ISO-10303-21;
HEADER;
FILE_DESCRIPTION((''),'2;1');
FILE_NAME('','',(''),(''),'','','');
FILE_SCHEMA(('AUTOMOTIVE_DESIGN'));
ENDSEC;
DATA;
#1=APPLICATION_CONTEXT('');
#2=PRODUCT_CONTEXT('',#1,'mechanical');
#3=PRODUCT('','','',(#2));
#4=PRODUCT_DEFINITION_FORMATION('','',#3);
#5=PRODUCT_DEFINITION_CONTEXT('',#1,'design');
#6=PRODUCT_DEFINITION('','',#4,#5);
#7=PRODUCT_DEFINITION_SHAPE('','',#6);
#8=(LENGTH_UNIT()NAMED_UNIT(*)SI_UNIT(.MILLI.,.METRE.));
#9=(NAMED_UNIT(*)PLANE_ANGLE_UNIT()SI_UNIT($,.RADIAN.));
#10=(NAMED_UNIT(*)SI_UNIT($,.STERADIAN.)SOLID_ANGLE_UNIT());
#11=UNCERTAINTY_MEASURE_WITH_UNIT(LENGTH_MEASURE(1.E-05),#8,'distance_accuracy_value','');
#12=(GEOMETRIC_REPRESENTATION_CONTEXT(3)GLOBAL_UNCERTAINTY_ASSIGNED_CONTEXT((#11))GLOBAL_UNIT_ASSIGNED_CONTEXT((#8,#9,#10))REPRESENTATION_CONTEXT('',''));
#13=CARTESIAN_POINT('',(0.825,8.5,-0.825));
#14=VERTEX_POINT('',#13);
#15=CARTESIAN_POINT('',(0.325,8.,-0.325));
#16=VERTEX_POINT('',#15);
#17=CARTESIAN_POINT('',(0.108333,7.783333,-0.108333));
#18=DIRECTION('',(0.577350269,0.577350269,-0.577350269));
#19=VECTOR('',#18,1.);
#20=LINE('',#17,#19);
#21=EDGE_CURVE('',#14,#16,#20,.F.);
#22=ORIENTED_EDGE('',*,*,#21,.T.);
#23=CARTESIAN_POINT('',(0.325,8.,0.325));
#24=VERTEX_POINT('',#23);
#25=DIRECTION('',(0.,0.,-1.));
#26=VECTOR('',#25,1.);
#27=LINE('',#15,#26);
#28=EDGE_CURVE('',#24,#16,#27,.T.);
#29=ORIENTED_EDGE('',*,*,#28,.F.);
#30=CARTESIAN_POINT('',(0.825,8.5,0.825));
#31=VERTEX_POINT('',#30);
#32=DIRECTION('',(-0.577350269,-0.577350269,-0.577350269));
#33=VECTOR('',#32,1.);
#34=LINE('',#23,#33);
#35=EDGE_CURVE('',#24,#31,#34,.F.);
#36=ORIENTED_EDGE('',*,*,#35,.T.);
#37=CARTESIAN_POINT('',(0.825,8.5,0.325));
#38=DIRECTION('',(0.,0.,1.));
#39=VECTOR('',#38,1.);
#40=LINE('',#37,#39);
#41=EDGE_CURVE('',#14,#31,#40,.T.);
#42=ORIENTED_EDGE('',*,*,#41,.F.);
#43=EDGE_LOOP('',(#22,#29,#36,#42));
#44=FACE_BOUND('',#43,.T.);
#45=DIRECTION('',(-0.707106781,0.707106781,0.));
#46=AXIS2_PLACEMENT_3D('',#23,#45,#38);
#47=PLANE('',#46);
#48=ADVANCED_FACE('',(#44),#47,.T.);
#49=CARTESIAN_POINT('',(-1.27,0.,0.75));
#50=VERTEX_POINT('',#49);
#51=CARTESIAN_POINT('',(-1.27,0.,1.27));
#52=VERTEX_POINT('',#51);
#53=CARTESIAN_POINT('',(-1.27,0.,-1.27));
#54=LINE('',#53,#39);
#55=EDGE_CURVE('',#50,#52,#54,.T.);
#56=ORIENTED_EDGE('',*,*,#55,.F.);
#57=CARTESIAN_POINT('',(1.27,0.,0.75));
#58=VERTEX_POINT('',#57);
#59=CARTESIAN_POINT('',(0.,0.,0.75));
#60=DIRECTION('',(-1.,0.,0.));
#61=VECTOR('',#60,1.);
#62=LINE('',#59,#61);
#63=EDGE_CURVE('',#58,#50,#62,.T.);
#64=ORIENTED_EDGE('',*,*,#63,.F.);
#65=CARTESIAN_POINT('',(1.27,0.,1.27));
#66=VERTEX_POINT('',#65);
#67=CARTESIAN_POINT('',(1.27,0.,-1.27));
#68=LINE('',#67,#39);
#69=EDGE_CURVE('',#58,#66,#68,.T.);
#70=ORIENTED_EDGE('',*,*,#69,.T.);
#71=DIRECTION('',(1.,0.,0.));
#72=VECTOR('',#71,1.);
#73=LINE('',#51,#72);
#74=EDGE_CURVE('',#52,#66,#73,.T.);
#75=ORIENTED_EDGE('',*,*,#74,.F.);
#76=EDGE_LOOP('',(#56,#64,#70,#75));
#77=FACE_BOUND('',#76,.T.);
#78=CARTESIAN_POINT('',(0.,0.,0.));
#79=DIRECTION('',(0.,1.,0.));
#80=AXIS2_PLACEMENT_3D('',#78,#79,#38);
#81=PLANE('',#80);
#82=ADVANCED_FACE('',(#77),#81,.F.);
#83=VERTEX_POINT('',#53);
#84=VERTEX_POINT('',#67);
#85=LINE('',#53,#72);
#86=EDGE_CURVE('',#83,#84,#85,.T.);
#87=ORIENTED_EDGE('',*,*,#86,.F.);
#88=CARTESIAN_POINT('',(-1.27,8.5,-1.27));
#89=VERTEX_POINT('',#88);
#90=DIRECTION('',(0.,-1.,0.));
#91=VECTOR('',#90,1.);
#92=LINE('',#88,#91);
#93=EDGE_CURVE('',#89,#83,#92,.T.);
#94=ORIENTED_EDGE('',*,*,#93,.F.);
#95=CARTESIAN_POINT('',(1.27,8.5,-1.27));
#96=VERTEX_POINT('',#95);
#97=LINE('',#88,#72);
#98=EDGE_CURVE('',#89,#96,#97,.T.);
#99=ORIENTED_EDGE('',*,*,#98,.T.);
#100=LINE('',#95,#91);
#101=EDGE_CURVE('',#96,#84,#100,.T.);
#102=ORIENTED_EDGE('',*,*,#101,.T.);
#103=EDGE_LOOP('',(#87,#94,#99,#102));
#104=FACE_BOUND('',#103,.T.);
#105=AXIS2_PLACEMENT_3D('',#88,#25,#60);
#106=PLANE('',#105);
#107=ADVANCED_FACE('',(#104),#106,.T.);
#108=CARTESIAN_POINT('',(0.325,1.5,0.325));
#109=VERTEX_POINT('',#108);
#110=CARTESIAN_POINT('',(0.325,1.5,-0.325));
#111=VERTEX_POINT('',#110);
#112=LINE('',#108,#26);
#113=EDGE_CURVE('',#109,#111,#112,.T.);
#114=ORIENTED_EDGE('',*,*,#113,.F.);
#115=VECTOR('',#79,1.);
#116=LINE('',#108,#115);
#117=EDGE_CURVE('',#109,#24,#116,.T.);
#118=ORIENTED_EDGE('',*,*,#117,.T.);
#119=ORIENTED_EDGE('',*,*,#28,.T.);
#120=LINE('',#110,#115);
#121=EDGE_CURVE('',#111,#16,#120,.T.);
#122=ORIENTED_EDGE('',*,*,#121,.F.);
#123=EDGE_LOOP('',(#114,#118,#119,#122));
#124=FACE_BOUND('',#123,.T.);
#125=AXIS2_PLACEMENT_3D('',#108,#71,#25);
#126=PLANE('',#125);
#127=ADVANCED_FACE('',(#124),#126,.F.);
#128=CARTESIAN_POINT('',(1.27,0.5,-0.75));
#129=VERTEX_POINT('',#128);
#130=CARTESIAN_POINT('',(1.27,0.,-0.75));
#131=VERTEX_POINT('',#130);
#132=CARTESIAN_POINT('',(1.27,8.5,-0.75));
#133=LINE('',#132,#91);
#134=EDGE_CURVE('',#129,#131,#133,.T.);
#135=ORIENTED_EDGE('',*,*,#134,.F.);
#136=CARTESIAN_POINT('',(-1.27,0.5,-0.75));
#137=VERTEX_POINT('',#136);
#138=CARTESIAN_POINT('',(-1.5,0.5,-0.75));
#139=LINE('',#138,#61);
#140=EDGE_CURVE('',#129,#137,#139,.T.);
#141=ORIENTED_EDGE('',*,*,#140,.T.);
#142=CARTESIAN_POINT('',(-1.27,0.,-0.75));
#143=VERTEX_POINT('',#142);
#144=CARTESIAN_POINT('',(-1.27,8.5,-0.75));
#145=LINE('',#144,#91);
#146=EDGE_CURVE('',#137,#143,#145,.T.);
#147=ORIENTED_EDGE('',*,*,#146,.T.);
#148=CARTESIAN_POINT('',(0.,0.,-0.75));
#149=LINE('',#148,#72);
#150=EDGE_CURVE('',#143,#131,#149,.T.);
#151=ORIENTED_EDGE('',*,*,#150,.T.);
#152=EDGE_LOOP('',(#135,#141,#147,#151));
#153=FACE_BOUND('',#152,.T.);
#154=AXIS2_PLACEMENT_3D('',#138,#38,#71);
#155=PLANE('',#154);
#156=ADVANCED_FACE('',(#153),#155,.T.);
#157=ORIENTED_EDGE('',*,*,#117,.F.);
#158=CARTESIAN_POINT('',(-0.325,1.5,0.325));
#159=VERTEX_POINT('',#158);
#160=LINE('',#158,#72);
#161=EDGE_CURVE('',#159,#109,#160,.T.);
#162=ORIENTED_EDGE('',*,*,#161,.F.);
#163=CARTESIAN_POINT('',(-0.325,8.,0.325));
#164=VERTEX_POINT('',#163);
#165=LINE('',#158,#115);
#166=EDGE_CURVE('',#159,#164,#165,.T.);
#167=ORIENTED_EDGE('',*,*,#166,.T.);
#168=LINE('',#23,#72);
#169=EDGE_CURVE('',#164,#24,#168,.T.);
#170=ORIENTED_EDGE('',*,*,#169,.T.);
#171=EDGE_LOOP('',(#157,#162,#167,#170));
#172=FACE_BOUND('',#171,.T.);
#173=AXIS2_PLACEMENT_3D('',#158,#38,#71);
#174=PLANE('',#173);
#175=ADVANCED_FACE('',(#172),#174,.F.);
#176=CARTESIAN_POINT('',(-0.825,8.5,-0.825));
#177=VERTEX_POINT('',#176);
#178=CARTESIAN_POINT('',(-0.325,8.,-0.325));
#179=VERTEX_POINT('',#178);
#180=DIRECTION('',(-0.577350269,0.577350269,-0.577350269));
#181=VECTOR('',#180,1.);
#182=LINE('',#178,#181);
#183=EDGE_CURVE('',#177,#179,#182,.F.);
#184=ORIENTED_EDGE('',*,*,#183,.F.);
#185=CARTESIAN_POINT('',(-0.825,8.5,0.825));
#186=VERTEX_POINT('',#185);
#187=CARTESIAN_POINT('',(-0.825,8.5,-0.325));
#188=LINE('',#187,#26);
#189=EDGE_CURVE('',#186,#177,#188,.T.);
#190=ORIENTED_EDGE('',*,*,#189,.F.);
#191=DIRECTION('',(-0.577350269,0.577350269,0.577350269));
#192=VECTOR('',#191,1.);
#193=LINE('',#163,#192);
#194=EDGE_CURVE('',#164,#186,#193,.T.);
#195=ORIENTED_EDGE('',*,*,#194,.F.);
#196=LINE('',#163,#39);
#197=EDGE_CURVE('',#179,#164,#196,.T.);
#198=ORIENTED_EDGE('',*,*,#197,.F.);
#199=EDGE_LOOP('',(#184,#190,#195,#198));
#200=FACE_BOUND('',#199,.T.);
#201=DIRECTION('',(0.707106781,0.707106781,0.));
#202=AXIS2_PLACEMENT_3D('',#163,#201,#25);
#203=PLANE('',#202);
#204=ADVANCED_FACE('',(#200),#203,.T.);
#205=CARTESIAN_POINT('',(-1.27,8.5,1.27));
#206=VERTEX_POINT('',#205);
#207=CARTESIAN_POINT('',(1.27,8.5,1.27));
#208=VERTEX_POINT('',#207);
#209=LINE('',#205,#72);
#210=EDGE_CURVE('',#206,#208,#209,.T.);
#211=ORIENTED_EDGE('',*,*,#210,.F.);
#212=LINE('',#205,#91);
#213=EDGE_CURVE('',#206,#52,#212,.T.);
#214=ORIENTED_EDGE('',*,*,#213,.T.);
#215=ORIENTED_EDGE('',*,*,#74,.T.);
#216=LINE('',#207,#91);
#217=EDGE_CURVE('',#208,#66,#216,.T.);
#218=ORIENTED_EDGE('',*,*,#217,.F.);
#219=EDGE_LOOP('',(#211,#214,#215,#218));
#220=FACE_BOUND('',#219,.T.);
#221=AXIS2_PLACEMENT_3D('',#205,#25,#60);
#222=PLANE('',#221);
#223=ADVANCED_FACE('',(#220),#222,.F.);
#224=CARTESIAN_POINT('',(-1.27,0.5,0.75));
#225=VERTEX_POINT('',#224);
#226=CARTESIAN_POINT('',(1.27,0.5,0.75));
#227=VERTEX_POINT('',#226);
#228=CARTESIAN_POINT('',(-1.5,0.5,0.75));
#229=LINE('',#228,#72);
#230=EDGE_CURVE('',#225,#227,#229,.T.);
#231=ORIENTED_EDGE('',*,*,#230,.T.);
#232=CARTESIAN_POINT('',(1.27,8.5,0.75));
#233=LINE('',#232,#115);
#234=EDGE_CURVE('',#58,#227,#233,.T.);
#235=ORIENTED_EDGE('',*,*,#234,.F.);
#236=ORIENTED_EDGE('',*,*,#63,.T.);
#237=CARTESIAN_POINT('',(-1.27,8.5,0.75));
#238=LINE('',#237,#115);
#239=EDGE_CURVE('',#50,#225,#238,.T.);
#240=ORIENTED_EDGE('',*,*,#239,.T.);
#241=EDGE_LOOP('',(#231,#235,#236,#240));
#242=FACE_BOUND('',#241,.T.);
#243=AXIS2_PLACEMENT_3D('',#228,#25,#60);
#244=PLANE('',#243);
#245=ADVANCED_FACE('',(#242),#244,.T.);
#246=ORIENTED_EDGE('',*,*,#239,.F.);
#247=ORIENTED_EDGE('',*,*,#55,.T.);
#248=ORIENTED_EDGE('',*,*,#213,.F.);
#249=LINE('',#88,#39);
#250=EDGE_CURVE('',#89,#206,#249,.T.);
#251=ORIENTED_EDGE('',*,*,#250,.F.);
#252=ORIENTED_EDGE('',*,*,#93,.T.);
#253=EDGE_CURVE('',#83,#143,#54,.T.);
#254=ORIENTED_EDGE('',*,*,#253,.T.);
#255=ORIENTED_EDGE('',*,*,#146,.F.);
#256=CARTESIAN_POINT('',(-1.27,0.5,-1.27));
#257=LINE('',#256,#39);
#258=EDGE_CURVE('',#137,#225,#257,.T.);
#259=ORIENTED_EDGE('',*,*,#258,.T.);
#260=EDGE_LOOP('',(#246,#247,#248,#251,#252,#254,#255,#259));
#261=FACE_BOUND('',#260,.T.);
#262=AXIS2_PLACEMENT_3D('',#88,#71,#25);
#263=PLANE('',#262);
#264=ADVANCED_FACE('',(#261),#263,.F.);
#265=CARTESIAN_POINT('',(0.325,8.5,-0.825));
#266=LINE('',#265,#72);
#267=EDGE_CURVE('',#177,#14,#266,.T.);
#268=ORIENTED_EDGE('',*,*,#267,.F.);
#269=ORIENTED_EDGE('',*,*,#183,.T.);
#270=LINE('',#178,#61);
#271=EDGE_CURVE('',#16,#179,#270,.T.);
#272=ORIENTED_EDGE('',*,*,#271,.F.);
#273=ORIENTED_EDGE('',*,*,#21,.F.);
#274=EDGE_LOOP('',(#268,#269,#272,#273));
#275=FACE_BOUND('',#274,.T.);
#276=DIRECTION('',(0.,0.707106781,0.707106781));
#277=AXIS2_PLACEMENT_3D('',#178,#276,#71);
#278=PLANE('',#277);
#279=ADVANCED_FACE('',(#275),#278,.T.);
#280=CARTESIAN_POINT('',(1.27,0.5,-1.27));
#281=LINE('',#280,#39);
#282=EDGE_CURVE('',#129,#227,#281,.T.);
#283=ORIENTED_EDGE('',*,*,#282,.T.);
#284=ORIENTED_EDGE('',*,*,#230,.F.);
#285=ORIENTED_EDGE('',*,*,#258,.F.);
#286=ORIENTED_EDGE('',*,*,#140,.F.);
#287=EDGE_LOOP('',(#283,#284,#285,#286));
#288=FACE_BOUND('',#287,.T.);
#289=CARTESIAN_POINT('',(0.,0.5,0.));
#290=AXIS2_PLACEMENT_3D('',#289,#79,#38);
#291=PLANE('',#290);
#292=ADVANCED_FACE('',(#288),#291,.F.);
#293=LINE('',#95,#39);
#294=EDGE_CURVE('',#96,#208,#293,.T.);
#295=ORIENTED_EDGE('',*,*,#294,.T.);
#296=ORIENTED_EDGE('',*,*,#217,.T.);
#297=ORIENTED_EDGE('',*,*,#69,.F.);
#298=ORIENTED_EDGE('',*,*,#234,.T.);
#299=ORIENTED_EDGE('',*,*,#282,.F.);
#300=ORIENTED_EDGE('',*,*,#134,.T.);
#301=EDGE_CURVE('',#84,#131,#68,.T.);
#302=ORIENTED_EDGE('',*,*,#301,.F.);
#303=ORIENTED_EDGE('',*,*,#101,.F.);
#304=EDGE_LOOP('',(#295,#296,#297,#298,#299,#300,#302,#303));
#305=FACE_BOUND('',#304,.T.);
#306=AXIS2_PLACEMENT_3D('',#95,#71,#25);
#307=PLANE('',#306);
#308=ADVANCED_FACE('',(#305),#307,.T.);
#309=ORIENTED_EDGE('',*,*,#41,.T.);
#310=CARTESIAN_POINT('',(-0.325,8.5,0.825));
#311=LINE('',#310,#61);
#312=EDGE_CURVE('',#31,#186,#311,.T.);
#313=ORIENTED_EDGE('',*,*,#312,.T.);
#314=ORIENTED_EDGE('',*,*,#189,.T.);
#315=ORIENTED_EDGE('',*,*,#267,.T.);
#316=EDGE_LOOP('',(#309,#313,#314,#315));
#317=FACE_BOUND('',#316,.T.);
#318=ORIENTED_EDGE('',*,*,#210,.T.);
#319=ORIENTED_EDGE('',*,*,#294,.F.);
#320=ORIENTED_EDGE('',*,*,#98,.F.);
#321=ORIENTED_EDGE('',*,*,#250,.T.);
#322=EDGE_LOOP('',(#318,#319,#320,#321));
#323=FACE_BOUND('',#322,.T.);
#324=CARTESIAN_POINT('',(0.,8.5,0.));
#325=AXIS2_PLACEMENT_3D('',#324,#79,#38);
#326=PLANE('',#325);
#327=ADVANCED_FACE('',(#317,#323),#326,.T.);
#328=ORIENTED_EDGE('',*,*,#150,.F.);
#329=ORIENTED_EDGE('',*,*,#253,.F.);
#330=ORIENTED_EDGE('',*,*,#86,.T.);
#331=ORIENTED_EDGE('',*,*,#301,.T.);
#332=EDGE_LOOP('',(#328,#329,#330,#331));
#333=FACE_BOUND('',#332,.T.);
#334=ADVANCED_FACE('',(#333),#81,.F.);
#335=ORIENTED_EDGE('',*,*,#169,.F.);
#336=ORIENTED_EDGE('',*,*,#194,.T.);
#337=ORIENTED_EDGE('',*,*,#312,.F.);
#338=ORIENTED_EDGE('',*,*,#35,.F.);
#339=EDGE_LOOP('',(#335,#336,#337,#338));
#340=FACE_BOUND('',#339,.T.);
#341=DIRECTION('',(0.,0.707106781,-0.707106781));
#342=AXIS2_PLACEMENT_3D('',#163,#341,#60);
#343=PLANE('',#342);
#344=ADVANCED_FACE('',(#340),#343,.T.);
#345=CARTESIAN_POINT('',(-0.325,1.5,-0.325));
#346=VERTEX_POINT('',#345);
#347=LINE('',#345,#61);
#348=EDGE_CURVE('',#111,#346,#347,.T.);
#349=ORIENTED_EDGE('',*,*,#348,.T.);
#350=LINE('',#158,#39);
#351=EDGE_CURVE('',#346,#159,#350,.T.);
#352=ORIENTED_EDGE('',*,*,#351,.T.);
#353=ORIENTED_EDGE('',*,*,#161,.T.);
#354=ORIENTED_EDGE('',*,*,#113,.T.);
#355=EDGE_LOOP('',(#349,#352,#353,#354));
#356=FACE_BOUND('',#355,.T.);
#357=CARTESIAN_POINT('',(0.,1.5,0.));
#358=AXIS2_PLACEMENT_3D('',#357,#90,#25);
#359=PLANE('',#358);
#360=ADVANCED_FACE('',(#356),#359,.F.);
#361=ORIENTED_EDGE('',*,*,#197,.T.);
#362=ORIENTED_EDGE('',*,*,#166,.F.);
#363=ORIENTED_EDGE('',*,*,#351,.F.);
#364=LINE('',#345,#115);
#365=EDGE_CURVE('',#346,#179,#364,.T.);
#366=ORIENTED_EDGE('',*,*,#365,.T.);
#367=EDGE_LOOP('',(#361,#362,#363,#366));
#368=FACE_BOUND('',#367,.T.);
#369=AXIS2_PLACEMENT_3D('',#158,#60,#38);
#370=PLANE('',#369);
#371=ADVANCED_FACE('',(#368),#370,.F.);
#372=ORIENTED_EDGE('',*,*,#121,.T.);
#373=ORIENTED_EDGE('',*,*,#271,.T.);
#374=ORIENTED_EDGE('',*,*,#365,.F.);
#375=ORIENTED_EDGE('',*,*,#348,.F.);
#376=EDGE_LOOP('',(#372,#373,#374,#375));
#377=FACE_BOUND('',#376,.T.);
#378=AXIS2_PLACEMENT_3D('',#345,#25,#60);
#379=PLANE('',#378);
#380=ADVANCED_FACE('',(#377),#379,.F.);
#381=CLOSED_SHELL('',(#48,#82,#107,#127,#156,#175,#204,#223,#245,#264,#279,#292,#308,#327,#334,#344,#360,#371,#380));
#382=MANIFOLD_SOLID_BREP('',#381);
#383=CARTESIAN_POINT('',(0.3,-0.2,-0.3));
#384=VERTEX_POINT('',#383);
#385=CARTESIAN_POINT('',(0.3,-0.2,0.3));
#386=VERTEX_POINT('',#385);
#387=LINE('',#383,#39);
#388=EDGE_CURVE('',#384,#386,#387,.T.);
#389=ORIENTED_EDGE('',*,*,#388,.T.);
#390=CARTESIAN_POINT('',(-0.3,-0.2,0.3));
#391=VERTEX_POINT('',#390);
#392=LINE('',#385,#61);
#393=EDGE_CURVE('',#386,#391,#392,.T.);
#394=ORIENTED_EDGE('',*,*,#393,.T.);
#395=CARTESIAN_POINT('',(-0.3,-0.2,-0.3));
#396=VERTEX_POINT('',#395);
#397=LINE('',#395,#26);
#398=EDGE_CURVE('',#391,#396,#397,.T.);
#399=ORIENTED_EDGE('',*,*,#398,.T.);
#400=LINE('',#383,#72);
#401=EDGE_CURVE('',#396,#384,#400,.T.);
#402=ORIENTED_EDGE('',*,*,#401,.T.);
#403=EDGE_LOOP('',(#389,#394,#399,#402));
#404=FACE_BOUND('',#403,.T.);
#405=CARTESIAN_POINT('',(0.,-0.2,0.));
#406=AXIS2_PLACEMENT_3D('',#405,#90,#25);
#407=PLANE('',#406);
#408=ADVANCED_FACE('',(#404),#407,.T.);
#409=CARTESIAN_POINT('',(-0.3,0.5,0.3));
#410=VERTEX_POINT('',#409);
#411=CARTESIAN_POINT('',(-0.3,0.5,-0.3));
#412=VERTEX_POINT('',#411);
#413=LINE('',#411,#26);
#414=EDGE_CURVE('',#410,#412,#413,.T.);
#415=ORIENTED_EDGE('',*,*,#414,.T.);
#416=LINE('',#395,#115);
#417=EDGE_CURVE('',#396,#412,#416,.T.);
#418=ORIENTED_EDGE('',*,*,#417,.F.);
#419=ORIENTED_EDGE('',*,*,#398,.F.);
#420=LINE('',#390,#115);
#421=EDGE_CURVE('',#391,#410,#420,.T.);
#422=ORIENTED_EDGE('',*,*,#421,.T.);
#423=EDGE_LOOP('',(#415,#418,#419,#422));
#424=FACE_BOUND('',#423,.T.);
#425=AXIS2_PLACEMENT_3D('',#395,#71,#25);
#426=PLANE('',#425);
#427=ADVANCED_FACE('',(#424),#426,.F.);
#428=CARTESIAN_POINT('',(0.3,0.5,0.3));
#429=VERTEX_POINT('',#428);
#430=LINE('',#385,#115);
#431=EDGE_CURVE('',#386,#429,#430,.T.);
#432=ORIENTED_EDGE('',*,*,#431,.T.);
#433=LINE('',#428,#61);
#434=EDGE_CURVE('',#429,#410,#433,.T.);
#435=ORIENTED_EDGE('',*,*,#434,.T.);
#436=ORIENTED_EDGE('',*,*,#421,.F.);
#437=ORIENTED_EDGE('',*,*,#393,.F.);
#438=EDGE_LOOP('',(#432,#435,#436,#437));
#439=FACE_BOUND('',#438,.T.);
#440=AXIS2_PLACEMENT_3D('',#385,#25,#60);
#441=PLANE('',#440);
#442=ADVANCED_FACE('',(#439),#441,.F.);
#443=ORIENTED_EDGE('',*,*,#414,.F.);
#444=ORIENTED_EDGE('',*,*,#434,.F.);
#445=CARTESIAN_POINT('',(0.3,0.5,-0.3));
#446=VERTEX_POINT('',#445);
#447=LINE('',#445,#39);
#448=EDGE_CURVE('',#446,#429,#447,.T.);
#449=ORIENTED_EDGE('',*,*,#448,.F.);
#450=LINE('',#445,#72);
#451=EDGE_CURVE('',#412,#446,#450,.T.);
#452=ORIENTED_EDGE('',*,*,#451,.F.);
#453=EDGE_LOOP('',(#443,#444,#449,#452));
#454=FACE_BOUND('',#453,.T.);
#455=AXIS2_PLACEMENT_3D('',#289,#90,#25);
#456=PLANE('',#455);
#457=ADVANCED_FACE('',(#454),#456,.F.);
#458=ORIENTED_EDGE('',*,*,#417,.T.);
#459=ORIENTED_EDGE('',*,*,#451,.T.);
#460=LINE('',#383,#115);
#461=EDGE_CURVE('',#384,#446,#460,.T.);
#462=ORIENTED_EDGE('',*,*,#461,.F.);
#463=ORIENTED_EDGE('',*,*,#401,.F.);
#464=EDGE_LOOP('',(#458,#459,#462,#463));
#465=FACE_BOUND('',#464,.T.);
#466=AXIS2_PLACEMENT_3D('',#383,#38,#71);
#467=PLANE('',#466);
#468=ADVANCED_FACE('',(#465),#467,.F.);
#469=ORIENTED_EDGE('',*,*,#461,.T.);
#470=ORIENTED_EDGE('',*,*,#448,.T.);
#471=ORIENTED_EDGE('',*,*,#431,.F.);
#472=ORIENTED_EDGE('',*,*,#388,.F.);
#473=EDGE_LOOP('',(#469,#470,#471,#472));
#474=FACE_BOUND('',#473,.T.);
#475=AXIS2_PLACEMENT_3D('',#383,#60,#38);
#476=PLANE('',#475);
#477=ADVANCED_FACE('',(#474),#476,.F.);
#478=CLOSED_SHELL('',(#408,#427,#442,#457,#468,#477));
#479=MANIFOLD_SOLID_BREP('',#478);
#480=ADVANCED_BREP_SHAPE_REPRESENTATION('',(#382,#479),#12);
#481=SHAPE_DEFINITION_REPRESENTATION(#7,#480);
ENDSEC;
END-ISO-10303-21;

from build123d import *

# Parameters (mm, degrees)
SKETCH_1_W      = 2.54
SKETCH_1_H      = 2.54
EXTRUDE_1_DEPTH = 8.5
SKETCH_2_W      = 3
SKETCH_2_H      = 1.5
EXTRUDE_2_DEPTH = 0.5
SKETCH_3_W      = 0.6
SKETCH_3_H      = 0.6
EXTRUDE_3_DEPTH = 0.7
SKETCH_5_W      = 0.65
SKETCH_5_H      = 0.65
EXTRUDE_4_DEPTH = 7
CHAMFER_1_SIZE  = 0.5


with BuildPart() as part:
    # Эскиз1 → Бобышка-Вытянуть1 (new body)
    with BuildSketch(Plane(origin=(0, 0, 0), x_dir=(1, 0, 0), z_dir=(0, 1, 0))):
        Rectangle(SKETCH_1_W, SKETCH_1_H)
    extrude(amount=EXTRUDE_1_DEPTH)


with BuildPart() as body_2:
    # Эскиз2 → Бобышка-Вытянуть2 (new body)
    with BuildSketch(Plane(origin=(0, 0, 0), x_dir=(1, 0, 0), z_dir=(0, 1, 0))):
        Rectangle(SKETCH_2_W, SKETCH_2_H)
    extrude(amount=EXTRUDE_2_DEPTH)


with BuildPart() as part_1:
    add(part.part)

    # Combine 2: cut body 2
    add(body_2.part, mode=Mode.SUBTRACT)


with BuildPart() as body_2_2:
    # Эскиз3 → Бобышка-Вытянуть3 (new body)
    with BuildSketch(Plane.XZ.offset(-0.5)):
        Rectangle(SKETCH_3_W, SKETCH_3_H)
    extrude(amount=EXTRUDE_3_DEPTH)


with BuildPart() as body_3:
    # Эскиз5 → Бобышка-Вытянуть4 (new body)
    with BuildSketch(Plane(origin=(0, 8.5, 0), x_dir=(1, 0, 0), z_dir=(0, 1, 0))):
        Rectangle(SKETCH_5_W, SKETCH_5_H)
    extrude(amount=-EXTRUDE_4_DEPTH)


with BuildPart() as part_2:
    add(part_1.part)

    # Combine 3: cut body 3
    add(body_3.part, mode=Mode.SUBTRACT)

    # Фаска1
    chamfer_1_edges = [part_2.edges().sort_by_distance(p)[0] for p in [
        (0.325, 8.5, 0),
        (0, 8.5, -0.325),
        (-0.325, 8.5, 0),
        (0, 8.5, 0.325),
    ]]
    chamfer(chamfer_1_edges, length=CHAMFER_1_SIZE)


solid = Compound([body_2_2.part, part_2.part])
